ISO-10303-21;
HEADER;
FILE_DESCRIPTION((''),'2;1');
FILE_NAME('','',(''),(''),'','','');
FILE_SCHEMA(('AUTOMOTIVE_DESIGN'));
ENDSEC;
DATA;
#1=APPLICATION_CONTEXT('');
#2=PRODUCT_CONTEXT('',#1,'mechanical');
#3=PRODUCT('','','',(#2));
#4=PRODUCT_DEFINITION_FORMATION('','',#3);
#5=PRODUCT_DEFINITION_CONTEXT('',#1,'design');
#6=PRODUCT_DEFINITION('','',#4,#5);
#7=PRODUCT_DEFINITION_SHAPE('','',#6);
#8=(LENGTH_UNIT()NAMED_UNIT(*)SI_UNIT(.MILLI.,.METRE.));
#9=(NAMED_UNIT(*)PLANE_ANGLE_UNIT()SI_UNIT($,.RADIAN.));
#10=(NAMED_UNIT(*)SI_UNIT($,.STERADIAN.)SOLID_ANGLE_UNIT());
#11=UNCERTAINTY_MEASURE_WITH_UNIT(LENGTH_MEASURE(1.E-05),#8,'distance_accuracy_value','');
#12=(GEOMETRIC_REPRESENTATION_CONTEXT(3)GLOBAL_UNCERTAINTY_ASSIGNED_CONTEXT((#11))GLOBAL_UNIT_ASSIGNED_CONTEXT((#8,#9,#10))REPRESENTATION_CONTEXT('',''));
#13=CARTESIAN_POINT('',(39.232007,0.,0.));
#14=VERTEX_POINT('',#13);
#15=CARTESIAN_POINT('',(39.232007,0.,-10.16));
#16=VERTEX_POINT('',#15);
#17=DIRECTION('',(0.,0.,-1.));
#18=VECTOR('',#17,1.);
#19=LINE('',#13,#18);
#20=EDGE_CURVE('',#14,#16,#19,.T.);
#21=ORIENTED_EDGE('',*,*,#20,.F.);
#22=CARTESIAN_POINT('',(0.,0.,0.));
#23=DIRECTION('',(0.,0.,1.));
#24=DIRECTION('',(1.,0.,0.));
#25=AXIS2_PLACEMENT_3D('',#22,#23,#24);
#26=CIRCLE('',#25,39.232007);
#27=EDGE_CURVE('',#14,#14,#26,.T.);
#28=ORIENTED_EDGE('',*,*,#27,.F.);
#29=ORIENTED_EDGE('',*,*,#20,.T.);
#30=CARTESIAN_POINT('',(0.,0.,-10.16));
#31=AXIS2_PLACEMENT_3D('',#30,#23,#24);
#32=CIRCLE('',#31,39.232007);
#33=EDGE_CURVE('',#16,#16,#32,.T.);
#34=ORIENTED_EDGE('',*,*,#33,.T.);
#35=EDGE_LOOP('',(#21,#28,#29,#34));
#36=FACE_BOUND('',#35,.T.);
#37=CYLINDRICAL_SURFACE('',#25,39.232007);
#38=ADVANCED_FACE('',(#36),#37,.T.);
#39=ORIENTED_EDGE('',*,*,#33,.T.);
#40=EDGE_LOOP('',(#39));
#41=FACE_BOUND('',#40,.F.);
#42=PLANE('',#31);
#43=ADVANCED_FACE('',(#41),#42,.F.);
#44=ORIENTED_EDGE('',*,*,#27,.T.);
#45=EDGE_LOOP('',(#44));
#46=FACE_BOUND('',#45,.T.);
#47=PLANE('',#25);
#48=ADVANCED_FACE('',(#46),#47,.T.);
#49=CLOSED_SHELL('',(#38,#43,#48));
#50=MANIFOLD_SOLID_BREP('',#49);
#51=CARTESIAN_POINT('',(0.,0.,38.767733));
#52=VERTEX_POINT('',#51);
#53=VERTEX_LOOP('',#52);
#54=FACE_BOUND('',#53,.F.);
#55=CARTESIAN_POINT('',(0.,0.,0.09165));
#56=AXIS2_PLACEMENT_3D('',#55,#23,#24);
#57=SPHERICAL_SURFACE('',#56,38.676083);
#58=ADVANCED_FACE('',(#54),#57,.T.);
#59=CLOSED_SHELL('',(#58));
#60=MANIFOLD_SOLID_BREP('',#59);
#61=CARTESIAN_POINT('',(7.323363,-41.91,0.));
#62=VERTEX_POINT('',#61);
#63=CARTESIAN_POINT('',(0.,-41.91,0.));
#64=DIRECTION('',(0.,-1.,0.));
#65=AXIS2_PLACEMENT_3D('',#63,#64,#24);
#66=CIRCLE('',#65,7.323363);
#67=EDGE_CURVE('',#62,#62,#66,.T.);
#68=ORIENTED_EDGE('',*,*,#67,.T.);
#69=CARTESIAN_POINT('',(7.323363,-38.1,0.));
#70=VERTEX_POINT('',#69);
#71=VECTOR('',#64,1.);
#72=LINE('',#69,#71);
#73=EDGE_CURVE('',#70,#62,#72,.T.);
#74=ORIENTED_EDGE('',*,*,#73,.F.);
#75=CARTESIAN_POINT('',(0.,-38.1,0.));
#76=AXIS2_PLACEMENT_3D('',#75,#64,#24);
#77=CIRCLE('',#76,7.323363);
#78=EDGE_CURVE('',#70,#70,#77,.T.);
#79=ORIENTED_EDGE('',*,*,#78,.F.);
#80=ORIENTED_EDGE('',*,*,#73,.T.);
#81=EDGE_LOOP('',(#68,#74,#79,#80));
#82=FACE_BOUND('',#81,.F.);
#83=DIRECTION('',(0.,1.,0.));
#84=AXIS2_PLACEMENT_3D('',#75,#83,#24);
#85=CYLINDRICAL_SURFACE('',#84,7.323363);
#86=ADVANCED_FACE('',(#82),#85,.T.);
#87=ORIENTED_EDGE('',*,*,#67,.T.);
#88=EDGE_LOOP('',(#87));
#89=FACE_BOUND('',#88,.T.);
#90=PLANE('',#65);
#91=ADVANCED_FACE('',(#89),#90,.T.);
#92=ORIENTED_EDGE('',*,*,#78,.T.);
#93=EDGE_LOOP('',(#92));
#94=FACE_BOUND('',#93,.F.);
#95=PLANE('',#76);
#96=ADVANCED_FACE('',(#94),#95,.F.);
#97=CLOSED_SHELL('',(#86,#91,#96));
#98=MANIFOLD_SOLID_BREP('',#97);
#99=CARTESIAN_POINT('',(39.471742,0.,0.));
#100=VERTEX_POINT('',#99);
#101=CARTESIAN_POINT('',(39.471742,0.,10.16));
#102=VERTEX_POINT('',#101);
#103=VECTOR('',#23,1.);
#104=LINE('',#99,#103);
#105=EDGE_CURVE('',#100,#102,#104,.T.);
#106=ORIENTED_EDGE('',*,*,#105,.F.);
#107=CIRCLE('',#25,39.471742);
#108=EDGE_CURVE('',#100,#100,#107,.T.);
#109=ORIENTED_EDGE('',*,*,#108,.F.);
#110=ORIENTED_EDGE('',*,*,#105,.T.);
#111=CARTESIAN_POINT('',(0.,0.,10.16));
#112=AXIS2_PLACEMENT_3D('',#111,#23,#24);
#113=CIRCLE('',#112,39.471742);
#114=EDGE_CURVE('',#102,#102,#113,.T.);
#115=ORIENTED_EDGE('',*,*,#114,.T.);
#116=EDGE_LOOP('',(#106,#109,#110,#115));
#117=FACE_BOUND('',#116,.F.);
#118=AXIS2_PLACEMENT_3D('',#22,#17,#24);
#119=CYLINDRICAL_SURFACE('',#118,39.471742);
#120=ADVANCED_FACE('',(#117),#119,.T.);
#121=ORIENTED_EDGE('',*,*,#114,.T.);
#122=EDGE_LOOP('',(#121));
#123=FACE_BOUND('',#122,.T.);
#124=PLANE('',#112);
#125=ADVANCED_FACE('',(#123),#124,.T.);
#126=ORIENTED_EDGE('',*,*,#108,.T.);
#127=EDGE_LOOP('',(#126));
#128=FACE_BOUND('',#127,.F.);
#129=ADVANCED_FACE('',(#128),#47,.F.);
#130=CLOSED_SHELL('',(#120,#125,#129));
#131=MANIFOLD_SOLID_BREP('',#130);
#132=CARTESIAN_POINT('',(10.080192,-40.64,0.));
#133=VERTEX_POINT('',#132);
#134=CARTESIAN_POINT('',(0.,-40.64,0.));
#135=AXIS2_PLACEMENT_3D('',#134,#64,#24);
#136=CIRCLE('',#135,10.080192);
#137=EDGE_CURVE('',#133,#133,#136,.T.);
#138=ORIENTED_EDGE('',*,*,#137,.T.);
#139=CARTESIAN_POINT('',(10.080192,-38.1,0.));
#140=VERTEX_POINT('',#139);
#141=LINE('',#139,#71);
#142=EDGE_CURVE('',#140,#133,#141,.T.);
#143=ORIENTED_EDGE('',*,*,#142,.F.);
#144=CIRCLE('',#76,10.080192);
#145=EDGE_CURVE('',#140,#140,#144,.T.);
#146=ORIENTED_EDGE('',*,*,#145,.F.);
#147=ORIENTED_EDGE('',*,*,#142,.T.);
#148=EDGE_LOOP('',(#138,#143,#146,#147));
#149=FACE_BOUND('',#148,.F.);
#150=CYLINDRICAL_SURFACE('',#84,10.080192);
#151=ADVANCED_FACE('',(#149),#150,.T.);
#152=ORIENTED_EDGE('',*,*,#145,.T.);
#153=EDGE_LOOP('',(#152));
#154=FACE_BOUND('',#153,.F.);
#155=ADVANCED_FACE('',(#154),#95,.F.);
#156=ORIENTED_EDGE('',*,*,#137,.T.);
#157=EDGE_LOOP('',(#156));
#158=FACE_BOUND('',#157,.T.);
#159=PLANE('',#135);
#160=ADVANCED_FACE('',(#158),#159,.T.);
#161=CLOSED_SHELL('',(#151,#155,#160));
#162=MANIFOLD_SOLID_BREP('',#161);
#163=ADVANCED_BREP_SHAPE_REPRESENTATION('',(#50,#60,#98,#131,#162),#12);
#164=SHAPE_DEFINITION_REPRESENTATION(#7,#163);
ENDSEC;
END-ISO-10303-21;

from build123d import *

# Parameters (mm, degrees)
F3_R      = 7.323363
F4_DEPTH  = 3.81
F5_R      = 10.080192
F6_DEPTH  = 2.54
F7_R      = 39.471742
F8_DEPTH  = 10.16
F9_R      = 39.232007
F10_DEPTH = 10.16


with BuildPart() as f1:
    # F0 (on Front) → F1 (revolve)
    with BuildSketch(Plane.XZ):
        with BuildLine():
            Line((0, 38.767733), (0, -38.584433))
            ThreePointArc((0, -38.584433), (38.676083, 0.09165), (0, 38.767733))
        make_face()
    revolve(axis=Axis((0, 0, 0.09165), (0, 0, -1)))


with BuildPart() as f4:
    # F3 (on offset) → F4 (new body)
    with BuildSketch(Plane.XZ.offset(38.1)):
        Circle(F3_R)
    extrude(amount=F4_DEPTH)


with BuildPart() as f6:
    # F5 (on offset) → F6 (new body)
    with BuildSketch(Plane.XZ.offset(38.1)):
        Circle(F5_R)
    extrude(amount=F6_DEPTH)


with BuildPart() as f8:
    # F7 (on Top) → F8 (new body)
    with BuildSketch(Plane.XY):
        Circle(F7_R)
    extrude(amount=F8_DEPTH)


with BuildPart() as f10:
    # F9 (on Top) → F10 (new body)
    with BuildSketch(Plane.XY):
        Circle(F9_R)
    extrude(amount=-F10_DEPTH)


solid = Compound([f1.part, f4.part, f6.part, f8.part, f10.part])
